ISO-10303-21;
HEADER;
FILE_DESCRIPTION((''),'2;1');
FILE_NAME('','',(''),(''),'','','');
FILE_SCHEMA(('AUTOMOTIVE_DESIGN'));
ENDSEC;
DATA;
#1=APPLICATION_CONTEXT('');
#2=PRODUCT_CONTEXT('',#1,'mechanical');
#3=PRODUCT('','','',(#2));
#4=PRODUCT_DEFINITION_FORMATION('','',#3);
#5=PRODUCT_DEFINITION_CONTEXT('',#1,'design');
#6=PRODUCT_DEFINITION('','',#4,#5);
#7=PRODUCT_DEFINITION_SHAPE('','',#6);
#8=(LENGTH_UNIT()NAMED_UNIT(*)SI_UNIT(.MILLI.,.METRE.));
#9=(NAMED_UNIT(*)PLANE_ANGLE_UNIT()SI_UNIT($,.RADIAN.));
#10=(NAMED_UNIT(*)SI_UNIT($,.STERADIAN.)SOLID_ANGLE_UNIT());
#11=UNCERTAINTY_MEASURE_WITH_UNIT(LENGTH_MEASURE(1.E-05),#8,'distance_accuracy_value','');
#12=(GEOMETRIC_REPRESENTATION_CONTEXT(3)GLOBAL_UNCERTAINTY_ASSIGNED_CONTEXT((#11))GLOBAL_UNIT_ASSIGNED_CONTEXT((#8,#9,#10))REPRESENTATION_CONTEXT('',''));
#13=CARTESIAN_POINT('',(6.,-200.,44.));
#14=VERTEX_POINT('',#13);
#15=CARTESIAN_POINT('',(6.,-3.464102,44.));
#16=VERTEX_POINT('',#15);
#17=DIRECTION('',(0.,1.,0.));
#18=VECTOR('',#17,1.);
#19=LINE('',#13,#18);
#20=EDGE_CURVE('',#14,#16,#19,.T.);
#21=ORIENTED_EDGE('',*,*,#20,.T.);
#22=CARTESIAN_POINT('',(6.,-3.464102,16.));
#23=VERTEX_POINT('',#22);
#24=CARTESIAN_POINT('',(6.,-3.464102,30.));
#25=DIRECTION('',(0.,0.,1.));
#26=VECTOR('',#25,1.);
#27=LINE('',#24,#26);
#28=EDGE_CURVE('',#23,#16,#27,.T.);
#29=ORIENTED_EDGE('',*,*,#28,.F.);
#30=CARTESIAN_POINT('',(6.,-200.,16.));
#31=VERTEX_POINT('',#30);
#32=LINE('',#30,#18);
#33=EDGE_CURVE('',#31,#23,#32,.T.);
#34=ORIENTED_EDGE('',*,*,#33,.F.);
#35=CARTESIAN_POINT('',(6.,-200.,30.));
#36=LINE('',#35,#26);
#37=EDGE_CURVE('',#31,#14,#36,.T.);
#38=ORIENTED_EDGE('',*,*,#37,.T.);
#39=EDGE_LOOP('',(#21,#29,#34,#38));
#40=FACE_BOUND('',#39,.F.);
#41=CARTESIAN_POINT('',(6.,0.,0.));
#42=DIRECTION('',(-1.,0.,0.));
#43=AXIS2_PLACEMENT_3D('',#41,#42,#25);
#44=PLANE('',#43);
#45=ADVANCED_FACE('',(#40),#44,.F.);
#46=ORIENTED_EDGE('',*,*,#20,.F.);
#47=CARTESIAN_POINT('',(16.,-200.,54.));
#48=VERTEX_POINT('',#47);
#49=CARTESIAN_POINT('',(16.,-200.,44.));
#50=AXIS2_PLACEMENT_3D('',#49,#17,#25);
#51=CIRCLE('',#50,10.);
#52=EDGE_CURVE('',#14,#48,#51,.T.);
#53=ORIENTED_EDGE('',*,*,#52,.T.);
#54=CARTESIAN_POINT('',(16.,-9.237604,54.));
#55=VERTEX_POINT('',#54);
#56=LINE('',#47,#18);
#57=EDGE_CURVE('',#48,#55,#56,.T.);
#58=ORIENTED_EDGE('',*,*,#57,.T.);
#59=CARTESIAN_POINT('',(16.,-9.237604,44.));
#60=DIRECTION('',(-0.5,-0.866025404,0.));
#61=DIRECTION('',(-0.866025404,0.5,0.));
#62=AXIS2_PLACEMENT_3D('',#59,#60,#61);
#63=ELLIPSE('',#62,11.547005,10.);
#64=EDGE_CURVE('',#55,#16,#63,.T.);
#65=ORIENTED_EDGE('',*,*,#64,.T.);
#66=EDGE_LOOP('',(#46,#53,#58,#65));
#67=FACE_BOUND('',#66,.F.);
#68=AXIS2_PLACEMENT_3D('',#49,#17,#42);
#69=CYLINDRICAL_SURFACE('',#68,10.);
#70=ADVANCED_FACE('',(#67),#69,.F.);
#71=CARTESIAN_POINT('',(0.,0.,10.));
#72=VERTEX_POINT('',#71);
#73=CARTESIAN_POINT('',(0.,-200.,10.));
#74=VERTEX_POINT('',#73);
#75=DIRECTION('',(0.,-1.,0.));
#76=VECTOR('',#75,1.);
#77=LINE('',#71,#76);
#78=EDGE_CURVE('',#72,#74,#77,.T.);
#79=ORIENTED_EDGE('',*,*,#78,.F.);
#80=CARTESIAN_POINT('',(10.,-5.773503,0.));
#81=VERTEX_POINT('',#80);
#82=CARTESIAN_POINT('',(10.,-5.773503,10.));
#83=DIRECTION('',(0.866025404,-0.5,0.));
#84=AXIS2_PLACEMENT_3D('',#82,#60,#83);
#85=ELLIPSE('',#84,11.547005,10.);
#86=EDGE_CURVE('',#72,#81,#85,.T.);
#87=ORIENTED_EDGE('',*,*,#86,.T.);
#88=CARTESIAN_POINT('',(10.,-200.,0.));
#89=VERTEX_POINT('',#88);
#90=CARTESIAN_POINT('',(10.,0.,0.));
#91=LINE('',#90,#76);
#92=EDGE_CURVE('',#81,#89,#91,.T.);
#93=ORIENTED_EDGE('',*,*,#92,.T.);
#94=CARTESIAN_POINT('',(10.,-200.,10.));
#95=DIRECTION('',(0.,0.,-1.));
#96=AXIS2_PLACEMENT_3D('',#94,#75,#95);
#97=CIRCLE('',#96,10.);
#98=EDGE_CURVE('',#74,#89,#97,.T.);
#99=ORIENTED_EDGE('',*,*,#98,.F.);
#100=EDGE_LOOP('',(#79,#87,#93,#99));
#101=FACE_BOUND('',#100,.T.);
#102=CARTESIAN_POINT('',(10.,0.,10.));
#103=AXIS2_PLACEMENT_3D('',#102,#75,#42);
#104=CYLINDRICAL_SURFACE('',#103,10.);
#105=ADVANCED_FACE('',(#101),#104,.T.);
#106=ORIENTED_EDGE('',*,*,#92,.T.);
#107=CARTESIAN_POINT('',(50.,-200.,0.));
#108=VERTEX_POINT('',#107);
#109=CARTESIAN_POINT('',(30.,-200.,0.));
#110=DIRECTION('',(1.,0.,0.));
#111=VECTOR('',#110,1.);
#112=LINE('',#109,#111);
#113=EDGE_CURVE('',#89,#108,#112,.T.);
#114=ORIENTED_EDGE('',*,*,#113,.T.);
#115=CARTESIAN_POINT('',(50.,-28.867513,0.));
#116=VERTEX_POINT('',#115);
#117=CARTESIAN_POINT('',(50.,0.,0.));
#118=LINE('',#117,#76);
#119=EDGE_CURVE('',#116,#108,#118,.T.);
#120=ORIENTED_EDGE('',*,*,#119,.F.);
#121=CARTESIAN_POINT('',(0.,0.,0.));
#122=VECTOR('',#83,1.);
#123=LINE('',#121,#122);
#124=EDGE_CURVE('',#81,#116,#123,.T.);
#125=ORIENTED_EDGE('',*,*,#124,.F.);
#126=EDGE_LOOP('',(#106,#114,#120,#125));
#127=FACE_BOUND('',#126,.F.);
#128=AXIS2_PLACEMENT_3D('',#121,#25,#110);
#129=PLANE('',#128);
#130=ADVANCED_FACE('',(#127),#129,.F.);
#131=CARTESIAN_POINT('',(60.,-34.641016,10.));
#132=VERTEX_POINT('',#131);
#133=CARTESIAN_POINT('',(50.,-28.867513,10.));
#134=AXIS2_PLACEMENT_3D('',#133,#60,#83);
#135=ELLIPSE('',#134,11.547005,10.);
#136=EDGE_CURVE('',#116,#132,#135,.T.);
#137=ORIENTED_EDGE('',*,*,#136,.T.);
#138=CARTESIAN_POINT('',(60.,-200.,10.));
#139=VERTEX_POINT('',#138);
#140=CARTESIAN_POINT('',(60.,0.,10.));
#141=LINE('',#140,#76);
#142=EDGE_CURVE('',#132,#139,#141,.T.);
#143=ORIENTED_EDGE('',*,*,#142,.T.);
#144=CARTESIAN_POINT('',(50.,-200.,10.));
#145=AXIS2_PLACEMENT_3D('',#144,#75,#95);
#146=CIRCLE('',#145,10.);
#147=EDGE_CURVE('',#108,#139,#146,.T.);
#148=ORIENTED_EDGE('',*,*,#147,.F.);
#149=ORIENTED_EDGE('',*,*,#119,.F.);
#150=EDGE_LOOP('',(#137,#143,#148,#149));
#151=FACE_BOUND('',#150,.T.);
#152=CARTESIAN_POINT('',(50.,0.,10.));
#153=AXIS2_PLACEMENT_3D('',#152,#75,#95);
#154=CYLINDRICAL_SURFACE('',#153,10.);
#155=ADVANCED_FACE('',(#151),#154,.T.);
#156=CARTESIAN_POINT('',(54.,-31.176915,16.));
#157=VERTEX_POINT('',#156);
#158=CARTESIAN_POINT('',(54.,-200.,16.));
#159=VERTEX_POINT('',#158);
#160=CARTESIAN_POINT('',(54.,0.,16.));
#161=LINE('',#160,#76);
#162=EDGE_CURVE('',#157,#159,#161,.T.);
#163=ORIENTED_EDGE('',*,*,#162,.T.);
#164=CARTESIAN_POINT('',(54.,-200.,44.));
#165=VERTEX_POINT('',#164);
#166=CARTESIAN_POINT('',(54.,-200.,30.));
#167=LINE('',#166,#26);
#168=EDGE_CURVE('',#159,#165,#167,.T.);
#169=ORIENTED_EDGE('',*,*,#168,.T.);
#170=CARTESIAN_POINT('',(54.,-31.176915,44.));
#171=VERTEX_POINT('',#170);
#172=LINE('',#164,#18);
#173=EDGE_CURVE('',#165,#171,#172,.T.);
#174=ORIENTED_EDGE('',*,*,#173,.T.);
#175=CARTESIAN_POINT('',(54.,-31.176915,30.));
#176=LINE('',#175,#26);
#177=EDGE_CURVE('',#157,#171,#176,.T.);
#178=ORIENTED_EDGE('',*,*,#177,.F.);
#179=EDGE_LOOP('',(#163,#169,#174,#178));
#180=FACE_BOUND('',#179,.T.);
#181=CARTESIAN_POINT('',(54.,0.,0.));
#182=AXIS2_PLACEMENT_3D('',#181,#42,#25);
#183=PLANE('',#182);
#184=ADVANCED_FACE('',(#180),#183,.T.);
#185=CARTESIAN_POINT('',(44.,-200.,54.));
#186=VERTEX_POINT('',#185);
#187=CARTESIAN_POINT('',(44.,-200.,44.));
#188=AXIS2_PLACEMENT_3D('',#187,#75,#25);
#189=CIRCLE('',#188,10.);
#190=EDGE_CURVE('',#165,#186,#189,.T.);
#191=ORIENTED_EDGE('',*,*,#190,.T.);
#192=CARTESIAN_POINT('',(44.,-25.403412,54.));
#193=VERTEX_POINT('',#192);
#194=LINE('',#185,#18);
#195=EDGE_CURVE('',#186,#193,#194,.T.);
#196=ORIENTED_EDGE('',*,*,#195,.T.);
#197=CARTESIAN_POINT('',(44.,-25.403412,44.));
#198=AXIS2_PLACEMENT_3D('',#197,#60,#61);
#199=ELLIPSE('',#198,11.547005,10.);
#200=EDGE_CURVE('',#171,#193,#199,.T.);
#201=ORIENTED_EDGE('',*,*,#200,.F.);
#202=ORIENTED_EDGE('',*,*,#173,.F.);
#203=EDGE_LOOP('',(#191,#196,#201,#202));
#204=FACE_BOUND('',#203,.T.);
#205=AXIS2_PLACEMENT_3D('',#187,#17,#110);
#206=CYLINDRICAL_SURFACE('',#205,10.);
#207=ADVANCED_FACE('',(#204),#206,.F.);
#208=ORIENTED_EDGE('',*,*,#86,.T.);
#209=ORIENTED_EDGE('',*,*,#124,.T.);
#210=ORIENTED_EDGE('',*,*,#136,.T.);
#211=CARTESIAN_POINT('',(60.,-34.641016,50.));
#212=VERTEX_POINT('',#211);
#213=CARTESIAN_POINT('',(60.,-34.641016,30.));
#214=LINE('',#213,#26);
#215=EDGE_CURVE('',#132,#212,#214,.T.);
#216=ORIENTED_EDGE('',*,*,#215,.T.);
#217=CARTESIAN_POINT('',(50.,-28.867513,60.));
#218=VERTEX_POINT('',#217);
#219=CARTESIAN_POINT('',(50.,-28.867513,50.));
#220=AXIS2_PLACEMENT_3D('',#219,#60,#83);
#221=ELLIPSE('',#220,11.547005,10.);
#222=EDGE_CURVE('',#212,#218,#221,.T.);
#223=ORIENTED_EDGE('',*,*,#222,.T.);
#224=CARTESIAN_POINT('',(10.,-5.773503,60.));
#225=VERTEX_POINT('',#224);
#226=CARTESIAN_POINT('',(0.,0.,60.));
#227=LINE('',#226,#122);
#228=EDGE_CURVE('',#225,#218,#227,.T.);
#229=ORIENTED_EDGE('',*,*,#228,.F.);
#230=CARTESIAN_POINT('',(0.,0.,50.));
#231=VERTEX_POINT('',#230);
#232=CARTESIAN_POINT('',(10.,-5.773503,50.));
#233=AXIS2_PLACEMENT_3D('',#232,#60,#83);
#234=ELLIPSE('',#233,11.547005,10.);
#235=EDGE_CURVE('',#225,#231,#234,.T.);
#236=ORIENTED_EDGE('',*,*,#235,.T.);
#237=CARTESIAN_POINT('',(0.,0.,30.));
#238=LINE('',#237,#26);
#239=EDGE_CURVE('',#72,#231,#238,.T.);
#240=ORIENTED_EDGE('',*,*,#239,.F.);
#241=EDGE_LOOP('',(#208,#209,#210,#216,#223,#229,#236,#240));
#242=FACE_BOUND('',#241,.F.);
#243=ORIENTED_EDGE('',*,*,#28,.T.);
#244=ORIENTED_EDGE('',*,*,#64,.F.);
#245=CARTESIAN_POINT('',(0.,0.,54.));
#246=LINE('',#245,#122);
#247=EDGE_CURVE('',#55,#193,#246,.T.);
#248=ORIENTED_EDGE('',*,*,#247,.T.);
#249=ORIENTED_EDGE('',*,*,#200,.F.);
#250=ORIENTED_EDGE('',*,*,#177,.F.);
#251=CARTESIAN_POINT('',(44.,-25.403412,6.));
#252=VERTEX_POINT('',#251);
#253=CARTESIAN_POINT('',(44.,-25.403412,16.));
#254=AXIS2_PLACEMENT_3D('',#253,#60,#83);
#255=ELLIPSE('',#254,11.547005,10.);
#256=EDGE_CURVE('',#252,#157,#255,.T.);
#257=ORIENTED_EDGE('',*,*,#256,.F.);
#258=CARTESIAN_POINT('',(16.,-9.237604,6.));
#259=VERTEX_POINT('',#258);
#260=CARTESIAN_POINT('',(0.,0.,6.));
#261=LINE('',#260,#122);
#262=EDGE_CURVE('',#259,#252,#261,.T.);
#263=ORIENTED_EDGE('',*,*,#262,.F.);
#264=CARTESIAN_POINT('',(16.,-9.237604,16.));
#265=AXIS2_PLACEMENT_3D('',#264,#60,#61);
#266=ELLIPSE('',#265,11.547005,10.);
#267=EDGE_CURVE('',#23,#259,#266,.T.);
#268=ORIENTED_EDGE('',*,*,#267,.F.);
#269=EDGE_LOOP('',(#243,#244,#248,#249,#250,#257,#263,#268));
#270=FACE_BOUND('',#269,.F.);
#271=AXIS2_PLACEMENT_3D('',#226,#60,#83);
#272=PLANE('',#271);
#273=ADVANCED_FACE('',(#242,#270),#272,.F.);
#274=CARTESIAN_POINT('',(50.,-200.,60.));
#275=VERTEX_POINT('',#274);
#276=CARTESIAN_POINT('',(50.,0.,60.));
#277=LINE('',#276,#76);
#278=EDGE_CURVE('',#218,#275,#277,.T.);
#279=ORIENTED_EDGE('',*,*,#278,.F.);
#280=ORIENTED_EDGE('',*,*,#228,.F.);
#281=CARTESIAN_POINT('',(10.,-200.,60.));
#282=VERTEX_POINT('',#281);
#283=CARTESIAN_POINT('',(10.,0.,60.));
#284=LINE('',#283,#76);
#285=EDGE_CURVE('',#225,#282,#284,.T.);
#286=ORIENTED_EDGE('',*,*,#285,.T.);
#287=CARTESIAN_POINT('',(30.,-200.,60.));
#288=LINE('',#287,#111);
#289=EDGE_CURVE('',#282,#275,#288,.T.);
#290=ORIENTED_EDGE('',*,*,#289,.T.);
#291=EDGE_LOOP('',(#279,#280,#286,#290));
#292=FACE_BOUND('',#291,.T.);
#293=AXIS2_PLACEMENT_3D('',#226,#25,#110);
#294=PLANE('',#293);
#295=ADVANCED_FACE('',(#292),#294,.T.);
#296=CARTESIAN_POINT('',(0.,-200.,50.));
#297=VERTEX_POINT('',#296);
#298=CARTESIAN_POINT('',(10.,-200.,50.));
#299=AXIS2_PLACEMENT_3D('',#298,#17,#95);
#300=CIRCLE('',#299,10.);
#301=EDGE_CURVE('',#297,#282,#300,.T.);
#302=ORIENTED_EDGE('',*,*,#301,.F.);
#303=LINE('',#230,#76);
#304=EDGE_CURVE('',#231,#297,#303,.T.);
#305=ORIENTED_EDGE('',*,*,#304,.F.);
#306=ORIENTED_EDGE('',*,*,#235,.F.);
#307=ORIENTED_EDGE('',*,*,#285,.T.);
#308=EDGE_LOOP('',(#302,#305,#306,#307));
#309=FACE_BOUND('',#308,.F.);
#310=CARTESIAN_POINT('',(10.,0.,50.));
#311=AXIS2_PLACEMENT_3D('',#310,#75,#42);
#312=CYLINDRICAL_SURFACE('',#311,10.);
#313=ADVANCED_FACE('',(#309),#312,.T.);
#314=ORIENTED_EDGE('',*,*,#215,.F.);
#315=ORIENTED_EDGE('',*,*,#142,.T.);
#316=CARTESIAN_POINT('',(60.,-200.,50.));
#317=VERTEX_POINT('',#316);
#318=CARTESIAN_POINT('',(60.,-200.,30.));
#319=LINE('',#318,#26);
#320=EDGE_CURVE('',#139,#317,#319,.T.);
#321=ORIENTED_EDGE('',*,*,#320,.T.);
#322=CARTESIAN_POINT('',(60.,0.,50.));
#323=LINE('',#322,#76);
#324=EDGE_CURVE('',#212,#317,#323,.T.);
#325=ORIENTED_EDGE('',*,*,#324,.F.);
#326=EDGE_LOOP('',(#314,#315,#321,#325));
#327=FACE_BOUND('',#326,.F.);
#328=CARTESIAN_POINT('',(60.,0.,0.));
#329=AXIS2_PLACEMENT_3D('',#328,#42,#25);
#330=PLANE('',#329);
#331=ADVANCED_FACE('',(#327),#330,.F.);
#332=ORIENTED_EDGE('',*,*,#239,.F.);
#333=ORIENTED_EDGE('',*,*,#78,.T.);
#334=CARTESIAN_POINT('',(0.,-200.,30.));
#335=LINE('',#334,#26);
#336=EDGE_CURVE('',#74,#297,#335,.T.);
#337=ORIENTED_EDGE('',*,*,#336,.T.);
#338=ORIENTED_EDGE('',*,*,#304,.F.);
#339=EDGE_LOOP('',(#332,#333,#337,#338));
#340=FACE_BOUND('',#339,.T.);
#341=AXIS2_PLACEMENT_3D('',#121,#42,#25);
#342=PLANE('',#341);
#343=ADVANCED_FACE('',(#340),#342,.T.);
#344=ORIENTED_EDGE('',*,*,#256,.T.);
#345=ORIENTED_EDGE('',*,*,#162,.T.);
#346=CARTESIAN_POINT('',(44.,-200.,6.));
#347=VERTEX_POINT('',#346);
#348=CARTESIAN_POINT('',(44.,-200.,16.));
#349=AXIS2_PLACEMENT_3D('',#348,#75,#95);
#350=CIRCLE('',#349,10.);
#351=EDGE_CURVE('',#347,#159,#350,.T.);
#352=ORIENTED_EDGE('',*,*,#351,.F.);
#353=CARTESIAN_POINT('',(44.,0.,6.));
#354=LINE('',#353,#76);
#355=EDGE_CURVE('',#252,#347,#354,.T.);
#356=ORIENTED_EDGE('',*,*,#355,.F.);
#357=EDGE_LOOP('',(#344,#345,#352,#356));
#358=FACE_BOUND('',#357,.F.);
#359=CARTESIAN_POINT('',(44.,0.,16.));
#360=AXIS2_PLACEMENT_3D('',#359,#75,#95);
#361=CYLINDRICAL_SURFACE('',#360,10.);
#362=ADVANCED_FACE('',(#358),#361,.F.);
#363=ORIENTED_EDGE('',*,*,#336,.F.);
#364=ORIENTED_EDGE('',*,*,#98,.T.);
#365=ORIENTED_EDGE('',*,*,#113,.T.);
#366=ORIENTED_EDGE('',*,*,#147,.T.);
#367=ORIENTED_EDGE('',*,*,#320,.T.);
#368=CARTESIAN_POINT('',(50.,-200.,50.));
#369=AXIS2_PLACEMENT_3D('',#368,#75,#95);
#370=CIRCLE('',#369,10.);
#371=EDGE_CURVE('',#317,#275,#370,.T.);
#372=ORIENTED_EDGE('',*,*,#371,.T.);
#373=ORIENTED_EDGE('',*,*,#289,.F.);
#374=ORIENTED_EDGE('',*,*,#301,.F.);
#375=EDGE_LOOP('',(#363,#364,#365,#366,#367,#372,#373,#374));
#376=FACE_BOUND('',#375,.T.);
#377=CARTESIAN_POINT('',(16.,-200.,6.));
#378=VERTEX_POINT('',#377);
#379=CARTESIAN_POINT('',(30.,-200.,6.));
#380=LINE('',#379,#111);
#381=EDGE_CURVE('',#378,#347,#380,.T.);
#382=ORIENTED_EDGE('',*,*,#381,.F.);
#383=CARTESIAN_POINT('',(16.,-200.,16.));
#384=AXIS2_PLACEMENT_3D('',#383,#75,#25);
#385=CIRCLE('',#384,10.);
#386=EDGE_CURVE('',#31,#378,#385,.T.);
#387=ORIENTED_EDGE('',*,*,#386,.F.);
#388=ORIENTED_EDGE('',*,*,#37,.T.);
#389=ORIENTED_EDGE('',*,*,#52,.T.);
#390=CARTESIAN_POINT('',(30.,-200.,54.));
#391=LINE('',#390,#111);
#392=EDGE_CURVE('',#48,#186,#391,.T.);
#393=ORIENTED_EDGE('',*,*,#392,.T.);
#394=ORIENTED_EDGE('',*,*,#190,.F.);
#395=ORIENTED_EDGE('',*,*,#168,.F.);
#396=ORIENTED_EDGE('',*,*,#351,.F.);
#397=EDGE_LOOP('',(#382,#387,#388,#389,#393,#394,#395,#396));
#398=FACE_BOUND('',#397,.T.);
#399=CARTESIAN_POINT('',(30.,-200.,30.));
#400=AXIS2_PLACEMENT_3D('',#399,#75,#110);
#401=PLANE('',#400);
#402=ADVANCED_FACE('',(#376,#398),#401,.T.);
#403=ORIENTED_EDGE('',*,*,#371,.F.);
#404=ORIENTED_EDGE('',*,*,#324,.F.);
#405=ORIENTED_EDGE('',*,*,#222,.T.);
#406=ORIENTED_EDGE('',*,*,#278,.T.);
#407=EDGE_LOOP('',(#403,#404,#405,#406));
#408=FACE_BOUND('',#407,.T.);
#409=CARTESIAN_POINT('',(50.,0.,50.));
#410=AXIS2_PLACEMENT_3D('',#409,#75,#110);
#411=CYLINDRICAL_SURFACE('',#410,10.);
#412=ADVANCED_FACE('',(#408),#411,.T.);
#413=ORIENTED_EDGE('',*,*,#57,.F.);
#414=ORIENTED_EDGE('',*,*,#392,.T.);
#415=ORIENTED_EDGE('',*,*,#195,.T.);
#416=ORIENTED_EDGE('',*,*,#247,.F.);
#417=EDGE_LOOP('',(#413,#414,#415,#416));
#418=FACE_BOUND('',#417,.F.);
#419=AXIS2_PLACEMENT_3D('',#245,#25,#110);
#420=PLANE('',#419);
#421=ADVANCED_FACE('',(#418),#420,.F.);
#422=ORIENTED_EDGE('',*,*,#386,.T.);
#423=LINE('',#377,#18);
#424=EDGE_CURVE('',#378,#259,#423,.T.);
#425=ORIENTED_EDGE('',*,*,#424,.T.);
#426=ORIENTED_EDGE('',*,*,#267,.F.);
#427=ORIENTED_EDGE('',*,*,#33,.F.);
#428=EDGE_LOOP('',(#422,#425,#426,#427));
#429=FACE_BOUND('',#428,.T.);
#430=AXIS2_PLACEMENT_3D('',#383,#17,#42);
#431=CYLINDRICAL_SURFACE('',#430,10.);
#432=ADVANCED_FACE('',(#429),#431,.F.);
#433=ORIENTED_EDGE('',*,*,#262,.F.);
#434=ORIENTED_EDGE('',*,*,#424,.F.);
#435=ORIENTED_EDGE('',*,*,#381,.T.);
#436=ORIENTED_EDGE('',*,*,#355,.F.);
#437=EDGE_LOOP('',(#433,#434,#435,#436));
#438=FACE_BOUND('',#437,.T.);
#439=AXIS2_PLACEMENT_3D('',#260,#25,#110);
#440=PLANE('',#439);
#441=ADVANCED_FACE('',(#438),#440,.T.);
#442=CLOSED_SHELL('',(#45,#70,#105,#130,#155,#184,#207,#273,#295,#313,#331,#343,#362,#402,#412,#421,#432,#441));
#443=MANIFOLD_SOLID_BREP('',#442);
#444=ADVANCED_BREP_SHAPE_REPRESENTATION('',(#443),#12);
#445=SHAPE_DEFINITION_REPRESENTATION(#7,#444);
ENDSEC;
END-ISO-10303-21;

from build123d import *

# Parameters (mm, degrees)
F0_W     = 60
F0_H     = 60
F1_DEPTH = 200
F2_T     = -6
F3_R     = 10
F5_DEPTH = 60.001


with BuildPart() as f1:
    # F0 (on Front) → F1 (new body)
    with BuildSketch(Plane.XZ):
        with Locations((30, 30)):
            Rectangle(F0_W, F0_H)
    extrude(amount=F1_DEPTH)

    # F2
    f2_openings = [f1.faces().sort_by_distance(p)[0] for p in [
        (30, -200, 30),
        (30, 0, 30),
    ]]
    offset(amount=F2_T, openings=f2_openings)

    # F3
    f3_edges = [f1.edges().sort_by_distance(p)[0] for p in [
        (60, -100, 60),
        (0, -100, 60),
        (60, -100, 0),
        (6, -100, 6),
        (0, -100, 0),
        (54, -100, 6),
        (54, -100, 54),
        (6, -100, 54),
    ]]
    fillet(f3_edges, radius=F3_R)

    # F4 (on face) → F5 (cut, through all)
    with BuildSketch(Plane.XY.offset(60)):
        Polygon((0, 0), (70, -40.4145188433), (70, 0), align=None)
    extrude(amount=-F5_DEPTH, mode=Mode.SUBTRACT)


solid = f1.part
